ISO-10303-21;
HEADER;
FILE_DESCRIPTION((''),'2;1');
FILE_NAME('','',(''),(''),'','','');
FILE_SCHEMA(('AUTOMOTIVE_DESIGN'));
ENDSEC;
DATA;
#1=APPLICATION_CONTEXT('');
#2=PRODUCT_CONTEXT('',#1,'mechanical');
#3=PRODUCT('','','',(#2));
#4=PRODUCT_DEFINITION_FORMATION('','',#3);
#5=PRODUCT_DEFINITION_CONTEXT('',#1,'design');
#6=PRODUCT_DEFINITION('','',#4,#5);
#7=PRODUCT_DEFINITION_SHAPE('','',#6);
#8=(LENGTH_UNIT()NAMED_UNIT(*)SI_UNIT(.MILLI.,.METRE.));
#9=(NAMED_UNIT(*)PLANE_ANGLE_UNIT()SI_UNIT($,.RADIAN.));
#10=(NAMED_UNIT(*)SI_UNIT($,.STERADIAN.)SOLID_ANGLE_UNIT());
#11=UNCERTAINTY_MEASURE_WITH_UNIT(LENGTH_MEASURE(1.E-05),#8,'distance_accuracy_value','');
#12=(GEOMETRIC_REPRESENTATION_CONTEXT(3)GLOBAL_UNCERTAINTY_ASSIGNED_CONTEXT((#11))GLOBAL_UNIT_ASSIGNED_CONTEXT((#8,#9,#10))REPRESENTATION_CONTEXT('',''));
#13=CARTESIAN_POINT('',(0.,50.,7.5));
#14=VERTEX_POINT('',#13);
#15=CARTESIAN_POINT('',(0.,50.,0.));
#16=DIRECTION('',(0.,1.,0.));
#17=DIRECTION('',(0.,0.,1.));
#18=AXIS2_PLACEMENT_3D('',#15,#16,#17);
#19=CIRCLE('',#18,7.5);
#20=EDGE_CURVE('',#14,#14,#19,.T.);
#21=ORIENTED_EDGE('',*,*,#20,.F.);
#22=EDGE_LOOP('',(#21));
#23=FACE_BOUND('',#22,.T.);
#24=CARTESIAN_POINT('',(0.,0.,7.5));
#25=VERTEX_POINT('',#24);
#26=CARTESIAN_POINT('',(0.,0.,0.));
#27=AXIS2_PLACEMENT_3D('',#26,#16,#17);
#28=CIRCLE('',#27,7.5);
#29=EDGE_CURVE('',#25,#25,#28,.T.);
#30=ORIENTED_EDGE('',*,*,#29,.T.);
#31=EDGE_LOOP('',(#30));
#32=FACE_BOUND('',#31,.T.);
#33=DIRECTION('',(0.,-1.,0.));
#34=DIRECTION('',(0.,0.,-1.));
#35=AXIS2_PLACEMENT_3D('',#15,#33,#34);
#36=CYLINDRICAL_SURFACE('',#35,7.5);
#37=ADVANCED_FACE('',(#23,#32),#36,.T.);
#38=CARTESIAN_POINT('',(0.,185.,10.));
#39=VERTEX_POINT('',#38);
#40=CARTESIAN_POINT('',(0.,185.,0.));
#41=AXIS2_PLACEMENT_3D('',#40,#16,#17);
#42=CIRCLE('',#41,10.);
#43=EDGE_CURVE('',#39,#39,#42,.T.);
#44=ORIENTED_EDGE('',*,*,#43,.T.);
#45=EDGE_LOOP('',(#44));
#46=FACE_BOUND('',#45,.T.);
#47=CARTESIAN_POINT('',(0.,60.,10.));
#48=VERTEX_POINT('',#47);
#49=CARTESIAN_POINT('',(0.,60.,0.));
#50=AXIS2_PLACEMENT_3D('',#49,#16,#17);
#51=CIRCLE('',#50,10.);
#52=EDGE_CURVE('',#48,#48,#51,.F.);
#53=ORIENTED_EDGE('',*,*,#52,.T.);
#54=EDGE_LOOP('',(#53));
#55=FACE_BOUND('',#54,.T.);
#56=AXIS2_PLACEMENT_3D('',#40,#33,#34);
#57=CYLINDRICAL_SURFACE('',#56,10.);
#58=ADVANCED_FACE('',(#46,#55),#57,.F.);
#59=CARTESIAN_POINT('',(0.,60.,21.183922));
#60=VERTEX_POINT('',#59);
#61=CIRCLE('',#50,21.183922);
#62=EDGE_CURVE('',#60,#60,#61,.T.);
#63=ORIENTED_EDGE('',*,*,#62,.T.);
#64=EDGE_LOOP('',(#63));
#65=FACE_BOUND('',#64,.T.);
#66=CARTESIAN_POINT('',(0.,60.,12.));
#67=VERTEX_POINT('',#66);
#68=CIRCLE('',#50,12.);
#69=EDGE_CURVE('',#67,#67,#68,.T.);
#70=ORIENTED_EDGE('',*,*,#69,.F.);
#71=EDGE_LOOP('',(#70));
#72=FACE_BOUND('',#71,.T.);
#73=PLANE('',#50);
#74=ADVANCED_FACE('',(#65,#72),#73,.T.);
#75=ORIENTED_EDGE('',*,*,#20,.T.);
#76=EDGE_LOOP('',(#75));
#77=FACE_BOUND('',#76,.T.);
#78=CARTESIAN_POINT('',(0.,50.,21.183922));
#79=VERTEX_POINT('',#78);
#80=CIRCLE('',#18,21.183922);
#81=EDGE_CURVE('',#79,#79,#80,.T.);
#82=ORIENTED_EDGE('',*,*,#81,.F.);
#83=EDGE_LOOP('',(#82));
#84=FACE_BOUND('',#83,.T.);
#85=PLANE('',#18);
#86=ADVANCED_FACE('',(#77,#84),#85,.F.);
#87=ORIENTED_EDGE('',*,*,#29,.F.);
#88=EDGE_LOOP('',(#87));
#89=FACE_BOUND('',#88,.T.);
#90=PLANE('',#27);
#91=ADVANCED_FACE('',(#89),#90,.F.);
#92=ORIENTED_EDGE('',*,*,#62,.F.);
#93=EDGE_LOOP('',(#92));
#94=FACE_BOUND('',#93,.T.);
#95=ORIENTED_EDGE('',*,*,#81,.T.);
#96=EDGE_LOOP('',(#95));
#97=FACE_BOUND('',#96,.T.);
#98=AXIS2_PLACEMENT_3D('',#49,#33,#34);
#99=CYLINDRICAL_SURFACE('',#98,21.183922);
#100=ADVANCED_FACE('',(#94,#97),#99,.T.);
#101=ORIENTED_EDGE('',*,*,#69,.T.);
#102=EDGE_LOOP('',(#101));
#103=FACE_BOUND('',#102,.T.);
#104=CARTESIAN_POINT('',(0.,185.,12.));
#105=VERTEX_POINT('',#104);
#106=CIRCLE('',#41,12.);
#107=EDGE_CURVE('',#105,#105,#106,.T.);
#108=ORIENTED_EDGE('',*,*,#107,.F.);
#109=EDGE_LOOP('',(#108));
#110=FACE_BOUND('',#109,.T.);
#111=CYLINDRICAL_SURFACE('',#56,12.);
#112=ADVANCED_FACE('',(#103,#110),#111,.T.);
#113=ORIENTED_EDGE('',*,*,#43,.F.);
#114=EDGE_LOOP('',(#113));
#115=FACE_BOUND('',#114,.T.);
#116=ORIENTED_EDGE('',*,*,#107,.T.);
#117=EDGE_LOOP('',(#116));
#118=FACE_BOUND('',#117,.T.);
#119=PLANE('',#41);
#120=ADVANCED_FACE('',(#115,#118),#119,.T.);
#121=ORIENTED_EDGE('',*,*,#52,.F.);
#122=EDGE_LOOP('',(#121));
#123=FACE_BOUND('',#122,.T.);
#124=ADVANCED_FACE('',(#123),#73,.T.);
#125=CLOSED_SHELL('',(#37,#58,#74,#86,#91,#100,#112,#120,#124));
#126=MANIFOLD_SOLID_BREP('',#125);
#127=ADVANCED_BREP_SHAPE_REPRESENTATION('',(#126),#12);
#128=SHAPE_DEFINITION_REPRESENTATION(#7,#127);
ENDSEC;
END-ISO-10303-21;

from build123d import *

# Parameters (mm, degrees)
SKETCH1_R           = 7.5
BOSS_EXTRUDE1_DEPTH = 50
SKETCH2_R           = 21.183921509
BOSS_EXTRUDE2_DEPTH = 10
SKETCH3_R           = 12
SKETCH3_R_2         = 10
BOSS_EXTRUDE3_DEPTH = 125


with BuildPart() as part:
    # Sketch1 → Boss-Extrude1 (new body)
    with BuildSketch(Plane(origin=(0, 0, 0), x_dir=(1, 0, 0), z_dir=(0, 1, 0))):
        with Locations(Location((0, 0, 0), (0, 0, 270))):
            Circle(SKETCH1_R)
    extrude(amount=BOSS_EXTRUDE1_DEPTH)

    # Sketch2 → Boss-Extrude2 (add)
    with BuildSketch(Plane(origin=(0, 50, 0), x_dir=(1, 0, 0), z_dir=(0, 1, 0))):
        with Locations(Location((0, 0, 0), (0, 0, 270))):
            Circle(SKETCH2_R)
    extrude(amount=BOSS_EXTRUDE2_DEPTH)

    # Sketch3 → Boss-Extrude3 (add)
    with BuildSketch(Plane(origin=(0, 60, 0), x_dir=(1, 0, 0), z_dir=(0, 1, 0))):
        with Locations(Location((0, 0, 0), (0, 0, 270))):
            Circle(SKETCH3_R)
        with Locations(Location((0, 0, 0), (0, 0, 270))):
            Circle(SKETCH3_R_2, mode=Mode.SUBTRACT)
    extrude(amount=BOSS_EXTRUDE3_DEPTH)


solid = part.part
